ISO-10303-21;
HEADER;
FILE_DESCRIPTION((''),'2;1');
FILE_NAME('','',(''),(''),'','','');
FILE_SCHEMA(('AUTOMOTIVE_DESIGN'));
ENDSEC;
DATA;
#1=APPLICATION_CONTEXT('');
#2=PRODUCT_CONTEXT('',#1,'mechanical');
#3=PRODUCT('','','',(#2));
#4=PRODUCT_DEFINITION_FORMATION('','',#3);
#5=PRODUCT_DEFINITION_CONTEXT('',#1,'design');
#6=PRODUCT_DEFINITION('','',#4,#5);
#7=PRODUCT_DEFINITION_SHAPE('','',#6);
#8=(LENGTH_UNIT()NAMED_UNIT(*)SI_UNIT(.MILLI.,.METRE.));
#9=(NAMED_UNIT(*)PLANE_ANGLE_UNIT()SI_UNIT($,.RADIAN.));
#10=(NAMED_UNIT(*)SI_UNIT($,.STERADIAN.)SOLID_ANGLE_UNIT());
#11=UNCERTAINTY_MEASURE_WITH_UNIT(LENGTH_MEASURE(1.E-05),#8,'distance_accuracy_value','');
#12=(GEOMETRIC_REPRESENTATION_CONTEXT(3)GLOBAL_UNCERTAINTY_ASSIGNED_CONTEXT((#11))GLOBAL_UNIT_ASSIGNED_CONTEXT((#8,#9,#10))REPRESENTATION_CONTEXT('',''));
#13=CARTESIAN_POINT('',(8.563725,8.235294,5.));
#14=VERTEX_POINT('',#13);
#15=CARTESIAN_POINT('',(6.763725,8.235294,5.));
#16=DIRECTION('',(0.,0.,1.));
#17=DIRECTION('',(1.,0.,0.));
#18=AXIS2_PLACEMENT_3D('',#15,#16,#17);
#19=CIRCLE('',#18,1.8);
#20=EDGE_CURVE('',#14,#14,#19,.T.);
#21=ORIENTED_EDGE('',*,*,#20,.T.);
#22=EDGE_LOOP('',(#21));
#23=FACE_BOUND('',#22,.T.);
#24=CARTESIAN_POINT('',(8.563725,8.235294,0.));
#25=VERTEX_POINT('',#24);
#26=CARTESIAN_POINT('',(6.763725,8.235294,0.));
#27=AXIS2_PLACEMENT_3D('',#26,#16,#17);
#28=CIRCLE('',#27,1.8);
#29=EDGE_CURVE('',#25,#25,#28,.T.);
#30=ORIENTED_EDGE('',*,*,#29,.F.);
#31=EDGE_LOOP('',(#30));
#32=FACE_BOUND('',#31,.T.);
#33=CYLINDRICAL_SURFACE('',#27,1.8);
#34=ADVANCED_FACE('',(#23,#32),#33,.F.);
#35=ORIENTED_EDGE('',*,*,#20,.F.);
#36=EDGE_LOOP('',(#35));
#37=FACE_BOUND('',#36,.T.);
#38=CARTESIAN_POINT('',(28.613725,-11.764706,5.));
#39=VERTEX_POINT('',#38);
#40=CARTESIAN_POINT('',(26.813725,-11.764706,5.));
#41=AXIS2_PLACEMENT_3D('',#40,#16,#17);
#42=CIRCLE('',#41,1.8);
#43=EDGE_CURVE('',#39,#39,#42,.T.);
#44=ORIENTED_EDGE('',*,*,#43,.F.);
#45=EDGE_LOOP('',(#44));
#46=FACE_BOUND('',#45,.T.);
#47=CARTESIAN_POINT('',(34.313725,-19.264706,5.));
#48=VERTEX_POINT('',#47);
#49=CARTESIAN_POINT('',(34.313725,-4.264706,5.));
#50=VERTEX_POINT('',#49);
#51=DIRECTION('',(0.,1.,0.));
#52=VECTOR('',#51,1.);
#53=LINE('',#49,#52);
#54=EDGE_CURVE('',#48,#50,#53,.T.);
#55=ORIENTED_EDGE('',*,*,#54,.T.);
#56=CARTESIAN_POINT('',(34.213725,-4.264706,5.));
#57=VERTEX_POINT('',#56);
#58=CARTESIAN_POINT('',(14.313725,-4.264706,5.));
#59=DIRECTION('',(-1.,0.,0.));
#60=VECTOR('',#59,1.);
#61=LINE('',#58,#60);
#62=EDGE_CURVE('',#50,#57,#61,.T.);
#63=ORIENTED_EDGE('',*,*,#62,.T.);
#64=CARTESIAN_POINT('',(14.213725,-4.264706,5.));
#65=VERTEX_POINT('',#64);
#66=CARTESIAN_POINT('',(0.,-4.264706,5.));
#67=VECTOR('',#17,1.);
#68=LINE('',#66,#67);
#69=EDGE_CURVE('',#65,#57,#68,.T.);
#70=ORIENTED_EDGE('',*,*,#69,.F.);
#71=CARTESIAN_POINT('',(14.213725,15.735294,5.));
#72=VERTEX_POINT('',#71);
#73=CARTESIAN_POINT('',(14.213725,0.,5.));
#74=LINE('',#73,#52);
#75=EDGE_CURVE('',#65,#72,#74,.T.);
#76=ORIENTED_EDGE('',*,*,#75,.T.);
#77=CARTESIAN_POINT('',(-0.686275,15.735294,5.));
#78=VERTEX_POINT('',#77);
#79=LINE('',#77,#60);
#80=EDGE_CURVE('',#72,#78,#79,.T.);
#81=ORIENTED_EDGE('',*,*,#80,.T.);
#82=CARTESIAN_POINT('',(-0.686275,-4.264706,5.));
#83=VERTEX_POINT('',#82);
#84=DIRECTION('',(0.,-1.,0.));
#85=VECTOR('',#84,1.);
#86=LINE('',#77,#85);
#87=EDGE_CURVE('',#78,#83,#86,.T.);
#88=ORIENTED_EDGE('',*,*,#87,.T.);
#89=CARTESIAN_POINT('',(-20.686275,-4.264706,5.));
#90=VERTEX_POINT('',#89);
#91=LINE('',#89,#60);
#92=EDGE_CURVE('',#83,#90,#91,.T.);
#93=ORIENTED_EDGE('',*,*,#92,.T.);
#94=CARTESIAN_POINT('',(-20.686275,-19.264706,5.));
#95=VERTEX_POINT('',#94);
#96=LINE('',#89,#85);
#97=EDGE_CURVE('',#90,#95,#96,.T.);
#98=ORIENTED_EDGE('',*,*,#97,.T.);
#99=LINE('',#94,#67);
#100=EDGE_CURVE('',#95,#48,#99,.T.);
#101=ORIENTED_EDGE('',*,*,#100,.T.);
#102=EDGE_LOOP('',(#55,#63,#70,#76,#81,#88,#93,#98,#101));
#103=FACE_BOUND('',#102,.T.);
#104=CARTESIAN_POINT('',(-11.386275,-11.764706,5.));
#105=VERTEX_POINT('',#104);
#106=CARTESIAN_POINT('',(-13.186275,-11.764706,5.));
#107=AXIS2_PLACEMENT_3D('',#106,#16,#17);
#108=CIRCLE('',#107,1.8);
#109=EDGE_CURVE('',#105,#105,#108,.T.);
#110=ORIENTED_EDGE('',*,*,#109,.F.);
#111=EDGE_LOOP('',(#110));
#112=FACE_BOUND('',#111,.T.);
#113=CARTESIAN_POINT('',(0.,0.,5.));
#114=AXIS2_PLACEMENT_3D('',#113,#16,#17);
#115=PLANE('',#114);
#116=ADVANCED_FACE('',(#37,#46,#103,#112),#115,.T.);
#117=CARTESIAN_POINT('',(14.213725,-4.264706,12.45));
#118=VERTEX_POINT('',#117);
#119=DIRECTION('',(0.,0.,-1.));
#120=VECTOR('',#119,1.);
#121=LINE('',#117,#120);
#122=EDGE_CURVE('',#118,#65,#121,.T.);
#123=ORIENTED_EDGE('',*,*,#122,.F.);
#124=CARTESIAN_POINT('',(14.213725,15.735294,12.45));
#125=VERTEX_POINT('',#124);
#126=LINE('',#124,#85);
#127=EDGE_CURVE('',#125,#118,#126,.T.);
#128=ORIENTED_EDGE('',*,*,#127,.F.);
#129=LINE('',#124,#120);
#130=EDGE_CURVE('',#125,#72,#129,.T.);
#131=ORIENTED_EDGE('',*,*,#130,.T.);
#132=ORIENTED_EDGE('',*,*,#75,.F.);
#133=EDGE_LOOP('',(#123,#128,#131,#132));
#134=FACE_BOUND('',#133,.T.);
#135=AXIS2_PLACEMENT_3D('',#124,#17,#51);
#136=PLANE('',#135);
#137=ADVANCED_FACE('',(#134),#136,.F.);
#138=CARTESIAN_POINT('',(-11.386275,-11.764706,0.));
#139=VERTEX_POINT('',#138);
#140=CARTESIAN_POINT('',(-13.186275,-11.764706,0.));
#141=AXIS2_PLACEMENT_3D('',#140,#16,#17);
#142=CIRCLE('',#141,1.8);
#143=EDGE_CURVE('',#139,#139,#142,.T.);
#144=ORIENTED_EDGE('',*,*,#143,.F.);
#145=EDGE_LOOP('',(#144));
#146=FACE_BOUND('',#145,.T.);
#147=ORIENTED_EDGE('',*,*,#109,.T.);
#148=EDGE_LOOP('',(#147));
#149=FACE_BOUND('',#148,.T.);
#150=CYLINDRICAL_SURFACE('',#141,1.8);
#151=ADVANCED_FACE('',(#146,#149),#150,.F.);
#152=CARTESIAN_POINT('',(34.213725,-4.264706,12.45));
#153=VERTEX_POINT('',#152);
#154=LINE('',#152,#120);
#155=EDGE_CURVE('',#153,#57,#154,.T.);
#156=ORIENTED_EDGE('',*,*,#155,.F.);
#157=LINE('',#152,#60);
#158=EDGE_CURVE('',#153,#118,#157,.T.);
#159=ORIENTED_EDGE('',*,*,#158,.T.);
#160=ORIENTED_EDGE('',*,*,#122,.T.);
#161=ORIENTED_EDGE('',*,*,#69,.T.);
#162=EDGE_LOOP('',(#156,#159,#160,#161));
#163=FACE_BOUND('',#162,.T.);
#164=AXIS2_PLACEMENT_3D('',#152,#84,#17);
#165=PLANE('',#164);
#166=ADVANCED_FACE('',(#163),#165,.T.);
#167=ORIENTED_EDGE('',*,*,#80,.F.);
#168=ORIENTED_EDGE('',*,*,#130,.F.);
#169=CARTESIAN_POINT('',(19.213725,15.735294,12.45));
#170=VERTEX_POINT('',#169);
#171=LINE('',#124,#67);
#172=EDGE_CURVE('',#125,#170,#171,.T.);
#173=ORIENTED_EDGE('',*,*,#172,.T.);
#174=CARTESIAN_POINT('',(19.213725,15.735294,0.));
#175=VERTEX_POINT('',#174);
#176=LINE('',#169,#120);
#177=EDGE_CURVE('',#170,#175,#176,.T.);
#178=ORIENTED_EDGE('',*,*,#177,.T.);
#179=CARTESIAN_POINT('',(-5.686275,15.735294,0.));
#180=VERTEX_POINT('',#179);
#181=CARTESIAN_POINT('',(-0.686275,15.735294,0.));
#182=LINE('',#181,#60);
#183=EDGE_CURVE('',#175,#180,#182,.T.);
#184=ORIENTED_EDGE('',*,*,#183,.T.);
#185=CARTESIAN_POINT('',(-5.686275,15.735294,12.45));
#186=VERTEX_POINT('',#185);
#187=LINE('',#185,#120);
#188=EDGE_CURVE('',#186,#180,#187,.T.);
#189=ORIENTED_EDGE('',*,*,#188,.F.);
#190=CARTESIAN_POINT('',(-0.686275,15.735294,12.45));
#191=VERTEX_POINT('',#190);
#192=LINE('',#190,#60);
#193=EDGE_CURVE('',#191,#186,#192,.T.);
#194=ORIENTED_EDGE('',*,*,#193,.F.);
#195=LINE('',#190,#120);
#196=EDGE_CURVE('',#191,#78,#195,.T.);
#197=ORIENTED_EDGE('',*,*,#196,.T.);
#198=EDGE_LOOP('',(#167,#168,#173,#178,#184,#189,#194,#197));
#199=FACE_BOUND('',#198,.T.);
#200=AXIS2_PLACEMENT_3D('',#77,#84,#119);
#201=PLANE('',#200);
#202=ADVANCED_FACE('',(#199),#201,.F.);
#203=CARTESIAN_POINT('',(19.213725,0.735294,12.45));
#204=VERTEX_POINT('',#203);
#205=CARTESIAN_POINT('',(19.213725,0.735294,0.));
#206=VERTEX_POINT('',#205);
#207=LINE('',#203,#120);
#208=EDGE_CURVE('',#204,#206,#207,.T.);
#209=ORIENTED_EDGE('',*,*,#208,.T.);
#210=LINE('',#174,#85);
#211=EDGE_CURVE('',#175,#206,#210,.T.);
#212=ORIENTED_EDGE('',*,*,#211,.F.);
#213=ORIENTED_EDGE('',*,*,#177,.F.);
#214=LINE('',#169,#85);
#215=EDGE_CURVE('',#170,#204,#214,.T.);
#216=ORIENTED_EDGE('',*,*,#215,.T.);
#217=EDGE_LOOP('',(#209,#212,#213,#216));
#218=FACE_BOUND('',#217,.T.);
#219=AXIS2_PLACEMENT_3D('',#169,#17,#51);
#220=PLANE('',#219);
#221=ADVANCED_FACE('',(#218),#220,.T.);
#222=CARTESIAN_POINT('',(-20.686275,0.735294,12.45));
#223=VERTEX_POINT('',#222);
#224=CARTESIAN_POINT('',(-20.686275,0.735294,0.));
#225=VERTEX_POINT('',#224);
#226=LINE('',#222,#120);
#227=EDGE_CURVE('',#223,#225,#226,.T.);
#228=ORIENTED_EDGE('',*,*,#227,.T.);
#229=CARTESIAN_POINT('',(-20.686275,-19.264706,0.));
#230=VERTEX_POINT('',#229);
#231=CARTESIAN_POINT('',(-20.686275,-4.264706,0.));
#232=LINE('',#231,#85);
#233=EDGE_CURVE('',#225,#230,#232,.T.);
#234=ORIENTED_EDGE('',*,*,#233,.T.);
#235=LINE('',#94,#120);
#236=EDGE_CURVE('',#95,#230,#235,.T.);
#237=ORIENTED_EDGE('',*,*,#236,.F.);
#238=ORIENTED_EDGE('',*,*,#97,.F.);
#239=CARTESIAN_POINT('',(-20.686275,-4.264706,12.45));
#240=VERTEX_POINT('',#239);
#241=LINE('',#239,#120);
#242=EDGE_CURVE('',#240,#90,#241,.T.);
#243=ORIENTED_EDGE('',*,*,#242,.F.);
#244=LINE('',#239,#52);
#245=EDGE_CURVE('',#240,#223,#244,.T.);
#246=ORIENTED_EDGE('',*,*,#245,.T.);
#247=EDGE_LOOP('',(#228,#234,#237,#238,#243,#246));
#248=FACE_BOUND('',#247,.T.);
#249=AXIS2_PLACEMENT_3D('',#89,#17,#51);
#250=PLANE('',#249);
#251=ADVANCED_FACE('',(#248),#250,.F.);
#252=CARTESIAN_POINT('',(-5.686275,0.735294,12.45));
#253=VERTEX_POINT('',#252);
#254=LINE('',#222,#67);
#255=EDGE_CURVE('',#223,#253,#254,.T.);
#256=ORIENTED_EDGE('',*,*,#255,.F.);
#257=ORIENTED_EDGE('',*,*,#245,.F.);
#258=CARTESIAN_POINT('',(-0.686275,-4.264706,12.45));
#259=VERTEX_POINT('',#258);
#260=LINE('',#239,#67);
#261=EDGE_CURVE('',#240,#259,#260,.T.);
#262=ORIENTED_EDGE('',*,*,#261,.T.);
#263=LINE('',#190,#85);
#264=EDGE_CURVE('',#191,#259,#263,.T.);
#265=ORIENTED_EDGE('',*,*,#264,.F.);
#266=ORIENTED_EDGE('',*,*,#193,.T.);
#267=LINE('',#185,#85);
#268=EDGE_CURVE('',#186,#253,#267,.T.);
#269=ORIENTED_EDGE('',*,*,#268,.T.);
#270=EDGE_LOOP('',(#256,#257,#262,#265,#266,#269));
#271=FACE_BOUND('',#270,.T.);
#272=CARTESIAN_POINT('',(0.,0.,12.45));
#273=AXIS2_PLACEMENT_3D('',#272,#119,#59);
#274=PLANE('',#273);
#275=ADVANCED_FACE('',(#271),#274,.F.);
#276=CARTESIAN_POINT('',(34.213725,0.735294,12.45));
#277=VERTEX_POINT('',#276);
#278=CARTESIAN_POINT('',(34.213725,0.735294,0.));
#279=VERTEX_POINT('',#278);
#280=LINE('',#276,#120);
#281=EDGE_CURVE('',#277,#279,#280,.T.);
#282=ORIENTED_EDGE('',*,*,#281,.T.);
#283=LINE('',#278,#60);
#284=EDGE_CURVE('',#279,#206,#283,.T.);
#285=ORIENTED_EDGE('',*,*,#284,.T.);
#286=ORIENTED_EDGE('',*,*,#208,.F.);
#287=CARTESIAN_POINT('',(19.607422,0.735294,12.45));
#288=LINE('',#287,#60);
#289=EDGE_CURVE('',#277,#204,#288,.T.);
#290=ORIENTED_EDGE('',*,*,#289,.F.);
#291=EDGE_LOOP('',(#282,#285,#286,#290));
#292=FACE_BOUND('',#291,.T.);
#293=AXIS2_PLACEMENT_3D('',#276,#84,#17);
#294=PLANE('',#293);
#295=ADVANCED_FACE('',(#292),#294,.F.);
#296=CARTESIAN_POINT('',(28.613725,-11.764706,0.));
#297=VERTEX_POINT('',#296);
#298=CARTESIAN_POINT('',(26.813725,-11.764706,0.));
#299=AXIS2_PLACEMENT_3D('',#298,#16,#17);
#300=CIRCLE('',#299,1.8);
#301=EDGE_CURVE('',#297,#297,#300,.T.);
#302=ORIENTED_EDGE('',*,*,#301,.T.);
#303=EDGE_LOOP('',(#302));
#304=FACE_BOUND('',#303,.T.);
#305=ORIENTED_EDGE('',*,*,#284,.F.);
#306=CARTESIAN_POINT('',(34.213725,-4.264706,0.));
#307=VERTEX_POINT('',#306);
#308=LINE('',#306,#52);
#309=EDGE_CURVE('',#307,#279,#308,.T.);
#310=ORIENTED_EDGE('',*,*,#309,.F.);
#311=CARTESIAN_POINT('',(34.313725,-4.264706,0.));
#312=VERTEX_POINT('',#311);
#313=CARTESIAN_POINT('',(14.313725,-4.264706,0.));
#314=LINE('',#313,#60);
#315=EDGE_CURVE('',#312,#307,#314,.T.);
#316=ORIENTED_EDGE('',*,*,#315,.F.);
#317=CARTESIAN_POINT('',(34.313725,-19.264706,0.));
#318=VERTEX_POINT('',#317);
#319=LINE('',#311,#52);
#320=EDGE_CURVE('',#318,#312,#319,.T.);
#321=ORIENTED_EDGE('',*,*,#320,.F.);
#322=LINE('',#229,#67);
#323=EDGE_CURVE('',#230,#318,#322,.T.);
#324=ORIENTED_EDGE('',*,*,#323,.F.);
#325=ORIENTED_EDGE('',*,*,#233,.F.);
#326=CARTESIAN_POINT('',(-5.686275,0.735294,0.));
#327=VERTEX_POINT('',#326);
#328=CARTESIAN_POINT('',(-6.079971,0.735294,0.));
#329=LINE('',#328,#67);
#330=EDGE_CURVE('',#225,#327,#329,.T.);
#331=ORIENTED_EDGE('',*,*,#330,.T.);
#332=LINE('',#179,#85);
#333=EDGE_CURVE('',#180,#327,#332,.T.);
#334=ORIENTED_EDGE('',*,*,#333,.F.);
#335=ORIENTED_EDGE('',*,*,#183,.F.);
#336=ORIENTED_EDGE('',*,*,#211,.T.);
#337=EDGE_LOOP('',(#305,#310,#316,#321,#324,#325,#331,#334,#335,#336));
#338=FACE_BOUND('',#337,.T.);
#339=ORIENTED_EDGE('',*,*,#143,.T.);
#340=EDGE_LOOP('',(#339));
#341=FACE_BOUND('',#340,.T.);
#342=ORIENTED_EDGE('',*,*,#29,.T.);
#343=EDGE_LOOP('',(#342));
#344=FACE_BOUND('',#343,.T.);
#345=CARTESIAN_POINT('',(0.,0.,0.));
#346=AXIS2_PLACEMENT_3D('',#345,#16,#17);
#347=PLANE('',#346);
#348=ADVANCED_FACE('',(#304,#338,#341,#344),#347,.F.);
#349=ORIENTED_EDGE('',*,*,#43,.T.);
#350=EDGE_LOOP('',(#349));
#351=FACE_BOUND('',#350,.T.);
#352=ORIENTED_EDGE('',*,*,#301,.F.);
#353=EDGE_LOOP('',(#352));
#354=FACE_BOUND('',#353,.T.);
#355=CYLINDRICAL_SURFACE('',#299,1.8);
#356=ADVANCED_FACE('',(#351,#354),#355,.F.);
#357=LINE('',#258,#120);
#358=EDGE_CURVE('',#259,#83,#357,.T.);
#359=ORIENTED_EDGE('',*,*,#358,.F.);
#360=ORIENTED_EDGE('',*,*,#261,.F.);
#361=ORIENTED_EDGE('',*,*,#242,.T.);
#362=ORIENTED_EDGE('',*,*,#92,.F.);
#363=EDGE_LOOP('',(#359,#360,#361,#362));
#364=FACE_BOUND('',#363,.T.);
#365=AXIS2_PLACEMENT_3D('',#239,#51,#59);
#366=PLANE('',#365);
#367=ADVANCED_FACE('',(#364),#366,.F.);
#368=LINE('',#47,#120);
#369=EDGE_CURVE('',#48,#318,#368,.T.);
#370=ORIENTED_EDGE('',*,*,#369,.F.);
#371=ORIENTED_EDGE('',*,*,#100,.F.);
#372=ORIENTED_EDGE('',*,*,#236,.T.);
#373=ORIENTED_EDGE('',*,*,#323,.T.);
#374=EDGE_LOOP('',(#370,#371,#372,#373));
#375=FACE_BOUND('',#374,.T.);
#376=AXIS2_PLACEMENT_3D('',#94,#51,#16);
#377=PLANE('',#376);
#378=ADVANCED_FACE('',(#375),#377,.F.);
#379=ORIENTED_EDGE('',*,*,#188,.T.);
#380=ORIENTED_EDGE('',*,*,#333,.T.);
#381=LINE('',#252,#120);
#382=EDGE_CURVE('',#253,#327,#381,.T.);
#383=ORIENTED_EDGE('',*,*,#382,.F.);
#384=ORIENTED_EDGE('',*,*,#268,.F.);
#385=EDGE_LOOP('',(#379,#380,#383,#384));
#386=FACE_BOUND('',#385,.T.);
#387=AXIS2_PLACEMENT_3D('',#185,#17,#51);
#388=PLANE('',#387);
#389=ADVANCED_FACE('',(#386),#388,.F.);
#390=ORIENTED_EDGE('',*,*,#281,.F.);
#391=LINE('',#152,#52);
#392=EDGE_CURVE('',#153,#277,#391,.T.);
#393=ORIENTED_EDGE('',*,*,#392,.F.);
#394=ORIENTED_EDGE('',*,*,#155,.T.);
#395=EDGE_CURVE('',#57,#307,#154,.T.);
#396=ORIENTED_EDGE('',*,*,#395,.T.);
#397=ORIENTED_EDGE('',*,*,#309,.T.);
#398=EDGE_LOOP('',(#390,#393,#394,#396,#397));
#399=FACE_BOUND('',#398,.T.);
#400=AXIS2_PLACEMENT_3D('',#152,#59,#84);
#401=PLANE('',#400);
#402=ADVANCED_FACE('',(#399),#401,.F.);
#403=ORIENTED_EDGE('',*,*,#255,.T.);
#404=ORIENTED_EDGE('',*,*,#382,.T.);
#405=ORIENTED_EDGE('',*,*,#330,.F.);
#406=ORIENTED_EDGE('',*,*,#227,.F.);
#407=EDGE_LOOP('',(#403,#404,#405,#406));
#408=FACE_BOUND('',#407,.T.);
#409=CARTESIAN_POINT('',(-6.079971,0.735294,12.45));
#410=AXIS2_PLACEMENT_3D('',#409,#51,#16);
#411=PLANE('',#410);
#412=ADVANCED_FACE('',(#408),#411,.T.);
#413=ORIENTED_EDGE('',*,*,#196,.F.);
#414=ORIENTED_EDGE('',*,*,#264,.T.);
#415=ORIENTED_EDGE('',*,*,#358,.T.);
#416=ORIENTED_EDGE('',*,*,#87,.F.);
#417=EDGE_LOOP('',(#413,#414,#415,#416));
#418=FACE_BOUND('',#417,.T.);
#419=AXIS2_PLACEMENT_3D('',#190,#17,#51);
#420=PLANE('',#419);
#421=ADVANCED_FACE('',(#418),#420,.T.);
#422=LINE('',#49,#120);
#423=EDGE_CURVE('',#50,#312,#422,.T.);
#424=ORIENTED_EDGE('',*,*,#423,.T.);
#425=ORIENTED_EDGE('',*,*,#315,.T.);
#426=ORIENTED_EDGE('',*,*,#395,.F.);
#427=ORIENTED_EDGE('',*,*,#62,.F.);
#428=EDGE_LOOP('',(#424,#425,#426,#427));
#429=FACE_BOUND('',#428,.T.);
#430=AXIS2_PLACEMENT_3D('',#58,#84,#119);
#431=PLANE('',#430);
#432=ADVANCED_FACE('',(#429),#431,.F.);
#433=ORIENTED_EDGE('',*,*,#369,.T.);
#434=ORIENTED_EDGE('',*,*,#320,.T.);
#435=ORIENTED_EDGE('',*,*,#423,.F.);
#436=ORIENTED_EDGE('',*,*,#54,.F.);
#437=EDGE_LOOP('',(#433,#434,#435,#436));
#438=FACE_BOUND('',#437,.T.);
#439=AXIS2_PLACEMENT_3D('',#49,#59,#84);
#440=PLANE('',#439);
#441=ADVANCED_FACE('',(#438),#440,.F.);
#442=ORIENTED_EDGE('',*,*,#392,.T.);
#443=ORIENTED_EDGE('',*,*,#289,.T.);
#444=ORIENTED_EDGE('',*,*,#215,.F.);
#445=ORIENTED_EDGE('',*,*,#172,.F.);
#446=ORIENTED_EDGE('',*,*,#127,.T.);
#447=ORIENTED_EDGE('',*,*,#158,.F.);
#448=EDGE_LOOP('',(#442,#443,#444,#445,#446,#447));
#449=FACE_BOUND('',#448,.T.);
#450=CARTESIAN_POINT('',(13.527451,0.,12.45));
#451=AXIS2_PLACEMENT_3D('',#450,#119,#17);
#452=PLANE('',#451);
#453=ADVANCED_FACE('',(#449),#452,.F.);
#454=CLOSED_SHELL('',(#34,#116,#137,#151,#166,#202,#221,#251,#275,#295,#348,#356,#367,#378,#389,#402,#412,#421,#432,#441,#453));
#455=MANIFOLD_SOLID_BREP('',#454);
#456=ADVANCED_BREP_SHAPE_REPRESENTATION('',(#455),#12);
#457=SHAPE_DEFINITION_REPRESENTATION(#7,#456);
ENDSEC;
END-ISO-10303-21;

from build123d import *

# Parameters (mm, degrees)
BOSS_EXTRUDE1_DEPTH = 5
BOSS_EXTRUDE2_DEPTH = 12.45
SKETCH6_R           = 1.8
CUT_EXTRUDE3_DEPTH  = 6


with BuildPart() as part:
    # Sketch1 → Boss-Extrude1 (new body)
    with BuildSketch(Plane.XY):
        Polygon((14.31372549, -4.264705882), (34.31372549, -4.264705882), (34.31372549, -19.264705882), (-20.68627451, -19.264705882), (-20.68627451, -4.264705882), (-0.68627451, -4.264705882), (-0.68627451, 15.735294118), (14.31372549, 15.735294118), align=None)
    extrude(amount=BOSS_EXTRUDE1_DEPTH)

    # Sketch2 → Boss-Extrude2 (add)
    with BuildSketch(Plane(origin=(0, 0, 0), x_dir=(-1, 0, 0), z_dir=(0, 0, -1))):
        Polygon((0.68627451, 15.735294118), (5.68627451, 15.735294118), (5.68627451, 0.735294118), (6.079970528, 0.735294118), (20.68627451, 0.735294118), (20.68627451, -4.264705882), (0.68627451, -4.264705882), align=None)
    boss_extrude2 = extrude(amount=-BOSS_EXTRUDE2_DEPTH)

    # Mirror1: Boss-Extrude2 across plane
    add(boss_extrude2.mirror(Plane.ZY.offset(-6.76372549)))

    # Sketch6 → Cut-Extrude3 (cut, through all)
    with BuildSketch(Plane.XY.offset(5)):
        with Locations((6.76372549, 8.235294118)):
            Circle(SKETCH6_R)
        with Locations((-13.18627451, -11.764705882)):
            Circle(SKETCH6_R)
        with Locations((26.81372549, -11.764705882)):
            Circle(SKETCH6_R)
    extrude(amount=-CUT_EXTRUDE3_DEPTH, mode=Mode.SUBTRACT)


solid = part.part
